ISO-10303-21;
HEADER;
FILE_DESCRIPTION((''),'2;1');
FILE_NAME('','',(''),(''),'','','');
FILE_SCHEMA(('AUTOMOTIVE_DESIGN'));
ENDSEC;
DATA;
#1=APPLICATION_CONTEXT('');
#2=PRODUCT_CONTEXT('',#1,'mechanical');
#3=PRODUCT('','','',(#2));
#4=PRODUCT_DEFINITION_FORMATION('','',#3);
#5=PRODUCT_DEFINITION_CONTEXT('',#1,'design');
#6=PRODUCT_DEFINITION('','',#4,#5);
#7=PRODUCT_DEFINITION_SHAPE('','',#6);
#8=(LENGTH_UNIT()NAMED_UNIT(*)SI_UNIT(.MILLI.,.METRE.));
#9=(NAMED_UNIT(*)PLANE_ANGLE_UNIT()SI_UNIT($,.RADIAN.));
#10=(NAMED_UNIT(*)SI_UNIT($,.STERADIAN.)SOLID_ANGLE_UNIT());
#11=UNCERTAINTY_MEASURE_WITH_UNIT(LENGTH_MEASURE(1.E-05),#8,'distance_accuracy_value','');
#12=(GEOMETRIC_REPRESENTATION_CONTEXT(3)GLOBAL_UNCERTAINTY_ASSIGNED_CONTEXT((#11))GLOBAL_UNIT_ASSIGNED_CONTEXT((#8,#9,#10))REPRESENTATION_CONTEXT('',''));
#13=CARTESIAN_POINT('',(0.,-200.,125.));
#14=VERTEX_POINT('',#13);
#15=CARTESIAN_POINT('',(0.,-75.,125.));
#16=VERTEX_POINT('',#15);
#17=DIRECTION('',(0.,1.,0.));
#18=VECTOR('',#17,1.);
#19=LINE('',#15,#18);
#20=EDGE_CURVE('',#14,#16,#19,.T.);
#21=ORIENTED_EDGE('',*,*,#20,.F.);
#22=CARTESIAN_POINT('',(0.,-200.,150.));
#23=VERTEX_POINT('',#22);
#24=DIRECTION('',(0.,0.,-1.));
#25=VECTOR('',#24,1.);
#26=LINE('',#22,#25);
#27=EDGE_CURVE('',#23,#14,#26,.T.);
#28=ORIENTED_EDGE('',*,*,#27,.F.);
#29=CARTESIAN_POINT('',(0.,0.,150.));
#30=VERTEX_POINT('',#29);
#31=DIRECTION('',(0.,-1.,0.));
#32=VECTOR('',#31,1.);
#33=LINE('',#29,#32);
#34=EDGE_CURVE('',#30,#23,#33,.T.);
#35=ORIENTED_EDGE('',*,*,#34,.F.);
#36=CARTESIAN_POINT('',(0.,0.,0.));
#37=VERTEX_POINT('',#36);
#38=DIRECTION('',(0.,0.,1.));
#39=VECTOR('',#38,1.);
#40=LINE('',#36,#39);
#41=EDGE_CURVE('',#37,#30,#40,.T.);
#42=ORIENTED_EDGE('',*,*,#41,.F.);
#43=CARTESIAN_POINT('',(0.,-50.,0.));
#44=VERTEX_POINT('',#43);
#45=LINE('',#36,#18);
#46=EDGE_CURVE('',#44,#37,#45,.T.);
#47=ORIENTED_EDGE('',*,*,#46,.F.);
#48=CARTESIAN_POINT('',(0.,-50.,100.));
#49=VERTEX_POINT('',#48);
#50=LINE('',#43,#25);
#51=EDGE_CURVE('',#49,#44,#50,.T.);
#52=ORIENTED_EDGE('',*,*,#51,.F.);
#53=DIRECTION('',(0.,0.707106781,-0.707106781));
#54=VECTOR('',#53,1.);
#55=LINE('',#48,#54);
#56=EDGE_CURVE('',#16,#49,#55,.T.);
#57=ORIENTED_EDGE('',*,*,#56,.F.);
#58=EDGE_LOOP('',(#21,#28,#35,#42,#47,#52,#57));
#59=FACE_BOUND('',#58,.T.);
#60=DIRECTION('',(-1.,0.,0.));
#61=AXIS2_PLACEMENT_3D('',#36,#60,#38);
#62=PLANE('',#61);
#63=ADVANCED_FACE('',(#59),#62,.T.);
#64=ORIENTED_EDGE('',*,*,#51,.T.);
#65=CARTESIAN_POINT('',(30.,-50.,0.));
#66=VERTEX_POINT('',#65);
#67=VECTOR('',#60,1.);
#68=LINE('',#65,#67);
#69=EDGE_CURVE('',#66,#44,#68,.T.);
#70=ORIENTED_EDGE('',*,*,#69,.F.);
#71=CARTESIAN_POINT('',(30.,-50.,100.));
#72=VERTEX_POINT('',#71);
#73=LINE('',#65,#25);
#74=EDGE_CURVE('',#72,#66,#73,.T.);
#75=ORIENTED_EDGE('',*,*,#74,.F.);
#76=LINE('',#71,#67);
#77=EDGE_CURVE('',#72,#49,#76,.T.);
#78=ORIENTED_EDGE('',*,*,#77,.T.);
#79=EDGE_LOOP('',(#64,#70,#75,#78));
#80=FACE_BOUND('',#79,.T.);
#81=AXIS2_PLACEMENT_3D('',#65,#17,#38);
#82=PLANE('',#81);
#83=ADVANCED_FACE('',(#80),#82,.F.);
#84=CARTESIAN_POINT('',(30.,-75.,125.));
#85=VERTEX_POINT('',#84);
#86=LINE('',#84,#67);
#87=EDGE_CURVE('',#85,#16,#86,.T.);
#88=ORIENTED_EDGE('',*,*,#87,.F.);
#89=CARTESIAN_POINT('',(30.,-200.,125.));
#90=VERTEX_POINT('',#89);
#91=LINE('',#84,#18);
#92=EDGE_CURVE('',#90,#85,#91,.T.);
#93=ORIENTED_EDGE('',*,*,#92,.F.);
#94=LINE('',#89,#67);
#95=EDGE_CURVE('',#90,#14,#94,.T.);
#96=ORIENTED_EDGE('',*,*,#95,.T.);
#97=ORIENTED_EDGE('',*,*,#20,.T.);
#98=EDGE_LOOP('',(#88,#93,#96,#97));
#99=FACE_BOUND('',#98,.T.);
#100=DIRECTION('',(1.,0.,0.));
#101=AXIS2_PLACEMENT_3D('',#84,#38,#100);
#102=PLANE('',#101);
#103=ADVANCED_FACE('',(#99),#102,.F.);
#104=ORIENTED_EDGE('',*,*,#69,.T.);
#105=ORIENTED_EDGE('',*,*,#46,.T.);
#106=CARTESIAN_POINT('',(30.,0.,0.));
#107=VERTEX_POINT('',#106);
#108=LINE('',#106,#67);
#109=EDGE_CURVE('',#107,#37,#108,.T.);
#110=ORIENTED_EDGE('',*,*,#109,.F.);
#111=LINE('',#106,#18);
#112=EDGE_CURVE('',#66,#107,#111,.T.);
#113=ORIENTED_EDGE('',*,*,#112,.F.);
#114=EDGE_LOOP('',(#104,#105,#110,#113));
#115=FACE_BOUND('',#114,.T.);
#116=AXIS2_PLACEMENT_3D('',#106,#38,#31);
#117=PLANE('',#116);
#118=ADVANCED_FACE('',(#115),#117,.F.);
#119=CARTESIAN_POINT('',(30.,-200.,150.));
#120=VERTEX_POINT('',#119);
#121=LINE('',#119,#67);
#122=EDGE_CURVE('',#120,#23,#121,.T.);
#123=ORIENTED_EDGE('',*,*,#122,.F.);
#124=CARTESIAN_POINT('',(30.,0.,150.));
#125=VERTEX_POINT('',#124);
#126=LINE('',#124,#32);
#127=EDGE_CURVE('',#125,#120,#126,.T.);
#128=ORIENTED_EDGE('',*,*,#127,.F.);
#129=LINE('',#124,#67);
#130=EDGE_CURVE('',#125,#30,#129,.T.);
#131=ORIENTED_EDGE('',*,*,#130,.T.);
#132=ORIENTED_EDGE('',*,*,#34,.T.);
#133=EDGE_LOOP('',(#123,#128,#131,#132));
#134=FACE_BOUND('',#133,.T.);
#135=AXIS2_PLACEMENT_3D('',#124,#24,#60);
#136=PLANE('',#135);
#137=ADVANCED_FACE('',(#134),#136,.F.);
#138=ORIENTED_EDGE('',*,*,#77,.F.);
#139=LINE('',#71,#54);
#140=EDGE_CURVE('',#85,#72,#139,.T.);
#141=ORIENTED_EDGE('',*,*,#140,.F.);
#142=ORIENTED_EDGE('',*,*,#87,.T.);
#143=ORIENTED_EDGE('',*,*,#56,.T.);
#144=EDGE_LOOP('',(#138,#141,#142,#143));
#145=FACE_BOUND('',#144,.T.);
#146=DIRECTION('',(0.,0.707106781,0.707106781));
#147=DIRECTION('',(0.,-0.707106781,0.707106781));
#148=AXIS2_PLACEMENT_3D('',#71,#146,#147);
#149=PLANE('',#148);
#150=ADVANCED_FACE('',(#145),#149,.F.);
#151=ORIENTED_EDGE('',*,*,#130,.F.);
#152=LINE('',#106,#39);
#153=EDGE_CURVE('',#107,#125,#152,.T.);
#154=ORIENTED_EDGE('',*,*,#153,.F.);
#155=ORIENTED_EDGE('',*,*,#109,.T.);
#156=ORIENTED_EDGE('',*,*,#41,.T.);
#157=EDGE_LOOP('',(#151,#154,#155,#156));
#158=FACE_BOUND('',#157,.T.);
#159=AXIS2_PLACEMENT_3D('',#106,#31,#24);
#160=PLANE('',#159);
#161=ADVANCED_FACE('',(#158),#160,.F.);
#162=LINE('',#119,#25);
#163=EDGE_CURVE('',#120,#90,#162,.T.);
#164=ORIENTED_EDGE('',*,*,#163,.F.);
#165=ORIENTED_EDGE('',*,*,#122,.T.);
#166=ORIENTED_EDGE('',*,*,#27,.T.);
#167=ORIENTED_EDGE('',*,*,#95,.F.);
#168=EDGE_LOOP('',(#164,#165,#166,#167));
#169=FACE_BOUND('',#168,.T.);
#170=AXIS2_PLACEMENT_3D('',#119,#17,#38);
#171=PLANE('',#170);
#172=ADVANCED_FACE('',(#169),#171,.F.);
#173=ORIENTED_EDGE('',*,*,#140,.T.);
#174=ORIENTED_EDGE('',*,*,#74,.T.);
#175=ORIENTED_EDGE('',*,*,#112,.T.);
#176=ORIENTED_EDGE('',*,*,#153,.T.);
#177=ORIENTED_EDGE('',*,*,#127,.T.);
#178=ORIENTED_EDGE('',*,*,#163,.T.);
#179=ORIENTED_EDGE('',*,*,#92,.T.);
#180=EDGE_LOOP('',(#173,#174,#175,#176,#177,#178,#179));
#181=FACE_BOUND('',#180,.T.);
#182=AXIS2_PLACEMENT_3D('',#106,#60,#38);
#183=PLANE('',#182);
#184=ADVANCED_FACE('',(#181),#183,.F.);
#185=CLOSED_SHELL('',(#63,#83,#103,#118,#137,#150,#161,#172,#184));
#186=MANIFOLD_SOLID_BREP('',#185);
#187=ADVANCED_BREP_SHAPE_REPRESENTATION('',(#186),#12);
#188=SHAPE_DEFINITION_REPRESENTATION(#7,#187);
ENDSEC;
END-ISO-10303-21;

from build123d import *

# Parameters (mm, degrees)
BOSS_EXTRUDE1_DEPTH = 30


with BuildPart() as part:
    # Sketch2 → Boss-Extrude1 (new body)
    with BuildSketch(Plane.YZ):
        Polygon((0, 0), (0, 150), (-200, 150), (-200, 125), (-75, 125), (-50, 100), (-50, 0), align=None)
    extrude(amount=BOSS_EXTRUDE1_DEPTH)


solid = part.part
